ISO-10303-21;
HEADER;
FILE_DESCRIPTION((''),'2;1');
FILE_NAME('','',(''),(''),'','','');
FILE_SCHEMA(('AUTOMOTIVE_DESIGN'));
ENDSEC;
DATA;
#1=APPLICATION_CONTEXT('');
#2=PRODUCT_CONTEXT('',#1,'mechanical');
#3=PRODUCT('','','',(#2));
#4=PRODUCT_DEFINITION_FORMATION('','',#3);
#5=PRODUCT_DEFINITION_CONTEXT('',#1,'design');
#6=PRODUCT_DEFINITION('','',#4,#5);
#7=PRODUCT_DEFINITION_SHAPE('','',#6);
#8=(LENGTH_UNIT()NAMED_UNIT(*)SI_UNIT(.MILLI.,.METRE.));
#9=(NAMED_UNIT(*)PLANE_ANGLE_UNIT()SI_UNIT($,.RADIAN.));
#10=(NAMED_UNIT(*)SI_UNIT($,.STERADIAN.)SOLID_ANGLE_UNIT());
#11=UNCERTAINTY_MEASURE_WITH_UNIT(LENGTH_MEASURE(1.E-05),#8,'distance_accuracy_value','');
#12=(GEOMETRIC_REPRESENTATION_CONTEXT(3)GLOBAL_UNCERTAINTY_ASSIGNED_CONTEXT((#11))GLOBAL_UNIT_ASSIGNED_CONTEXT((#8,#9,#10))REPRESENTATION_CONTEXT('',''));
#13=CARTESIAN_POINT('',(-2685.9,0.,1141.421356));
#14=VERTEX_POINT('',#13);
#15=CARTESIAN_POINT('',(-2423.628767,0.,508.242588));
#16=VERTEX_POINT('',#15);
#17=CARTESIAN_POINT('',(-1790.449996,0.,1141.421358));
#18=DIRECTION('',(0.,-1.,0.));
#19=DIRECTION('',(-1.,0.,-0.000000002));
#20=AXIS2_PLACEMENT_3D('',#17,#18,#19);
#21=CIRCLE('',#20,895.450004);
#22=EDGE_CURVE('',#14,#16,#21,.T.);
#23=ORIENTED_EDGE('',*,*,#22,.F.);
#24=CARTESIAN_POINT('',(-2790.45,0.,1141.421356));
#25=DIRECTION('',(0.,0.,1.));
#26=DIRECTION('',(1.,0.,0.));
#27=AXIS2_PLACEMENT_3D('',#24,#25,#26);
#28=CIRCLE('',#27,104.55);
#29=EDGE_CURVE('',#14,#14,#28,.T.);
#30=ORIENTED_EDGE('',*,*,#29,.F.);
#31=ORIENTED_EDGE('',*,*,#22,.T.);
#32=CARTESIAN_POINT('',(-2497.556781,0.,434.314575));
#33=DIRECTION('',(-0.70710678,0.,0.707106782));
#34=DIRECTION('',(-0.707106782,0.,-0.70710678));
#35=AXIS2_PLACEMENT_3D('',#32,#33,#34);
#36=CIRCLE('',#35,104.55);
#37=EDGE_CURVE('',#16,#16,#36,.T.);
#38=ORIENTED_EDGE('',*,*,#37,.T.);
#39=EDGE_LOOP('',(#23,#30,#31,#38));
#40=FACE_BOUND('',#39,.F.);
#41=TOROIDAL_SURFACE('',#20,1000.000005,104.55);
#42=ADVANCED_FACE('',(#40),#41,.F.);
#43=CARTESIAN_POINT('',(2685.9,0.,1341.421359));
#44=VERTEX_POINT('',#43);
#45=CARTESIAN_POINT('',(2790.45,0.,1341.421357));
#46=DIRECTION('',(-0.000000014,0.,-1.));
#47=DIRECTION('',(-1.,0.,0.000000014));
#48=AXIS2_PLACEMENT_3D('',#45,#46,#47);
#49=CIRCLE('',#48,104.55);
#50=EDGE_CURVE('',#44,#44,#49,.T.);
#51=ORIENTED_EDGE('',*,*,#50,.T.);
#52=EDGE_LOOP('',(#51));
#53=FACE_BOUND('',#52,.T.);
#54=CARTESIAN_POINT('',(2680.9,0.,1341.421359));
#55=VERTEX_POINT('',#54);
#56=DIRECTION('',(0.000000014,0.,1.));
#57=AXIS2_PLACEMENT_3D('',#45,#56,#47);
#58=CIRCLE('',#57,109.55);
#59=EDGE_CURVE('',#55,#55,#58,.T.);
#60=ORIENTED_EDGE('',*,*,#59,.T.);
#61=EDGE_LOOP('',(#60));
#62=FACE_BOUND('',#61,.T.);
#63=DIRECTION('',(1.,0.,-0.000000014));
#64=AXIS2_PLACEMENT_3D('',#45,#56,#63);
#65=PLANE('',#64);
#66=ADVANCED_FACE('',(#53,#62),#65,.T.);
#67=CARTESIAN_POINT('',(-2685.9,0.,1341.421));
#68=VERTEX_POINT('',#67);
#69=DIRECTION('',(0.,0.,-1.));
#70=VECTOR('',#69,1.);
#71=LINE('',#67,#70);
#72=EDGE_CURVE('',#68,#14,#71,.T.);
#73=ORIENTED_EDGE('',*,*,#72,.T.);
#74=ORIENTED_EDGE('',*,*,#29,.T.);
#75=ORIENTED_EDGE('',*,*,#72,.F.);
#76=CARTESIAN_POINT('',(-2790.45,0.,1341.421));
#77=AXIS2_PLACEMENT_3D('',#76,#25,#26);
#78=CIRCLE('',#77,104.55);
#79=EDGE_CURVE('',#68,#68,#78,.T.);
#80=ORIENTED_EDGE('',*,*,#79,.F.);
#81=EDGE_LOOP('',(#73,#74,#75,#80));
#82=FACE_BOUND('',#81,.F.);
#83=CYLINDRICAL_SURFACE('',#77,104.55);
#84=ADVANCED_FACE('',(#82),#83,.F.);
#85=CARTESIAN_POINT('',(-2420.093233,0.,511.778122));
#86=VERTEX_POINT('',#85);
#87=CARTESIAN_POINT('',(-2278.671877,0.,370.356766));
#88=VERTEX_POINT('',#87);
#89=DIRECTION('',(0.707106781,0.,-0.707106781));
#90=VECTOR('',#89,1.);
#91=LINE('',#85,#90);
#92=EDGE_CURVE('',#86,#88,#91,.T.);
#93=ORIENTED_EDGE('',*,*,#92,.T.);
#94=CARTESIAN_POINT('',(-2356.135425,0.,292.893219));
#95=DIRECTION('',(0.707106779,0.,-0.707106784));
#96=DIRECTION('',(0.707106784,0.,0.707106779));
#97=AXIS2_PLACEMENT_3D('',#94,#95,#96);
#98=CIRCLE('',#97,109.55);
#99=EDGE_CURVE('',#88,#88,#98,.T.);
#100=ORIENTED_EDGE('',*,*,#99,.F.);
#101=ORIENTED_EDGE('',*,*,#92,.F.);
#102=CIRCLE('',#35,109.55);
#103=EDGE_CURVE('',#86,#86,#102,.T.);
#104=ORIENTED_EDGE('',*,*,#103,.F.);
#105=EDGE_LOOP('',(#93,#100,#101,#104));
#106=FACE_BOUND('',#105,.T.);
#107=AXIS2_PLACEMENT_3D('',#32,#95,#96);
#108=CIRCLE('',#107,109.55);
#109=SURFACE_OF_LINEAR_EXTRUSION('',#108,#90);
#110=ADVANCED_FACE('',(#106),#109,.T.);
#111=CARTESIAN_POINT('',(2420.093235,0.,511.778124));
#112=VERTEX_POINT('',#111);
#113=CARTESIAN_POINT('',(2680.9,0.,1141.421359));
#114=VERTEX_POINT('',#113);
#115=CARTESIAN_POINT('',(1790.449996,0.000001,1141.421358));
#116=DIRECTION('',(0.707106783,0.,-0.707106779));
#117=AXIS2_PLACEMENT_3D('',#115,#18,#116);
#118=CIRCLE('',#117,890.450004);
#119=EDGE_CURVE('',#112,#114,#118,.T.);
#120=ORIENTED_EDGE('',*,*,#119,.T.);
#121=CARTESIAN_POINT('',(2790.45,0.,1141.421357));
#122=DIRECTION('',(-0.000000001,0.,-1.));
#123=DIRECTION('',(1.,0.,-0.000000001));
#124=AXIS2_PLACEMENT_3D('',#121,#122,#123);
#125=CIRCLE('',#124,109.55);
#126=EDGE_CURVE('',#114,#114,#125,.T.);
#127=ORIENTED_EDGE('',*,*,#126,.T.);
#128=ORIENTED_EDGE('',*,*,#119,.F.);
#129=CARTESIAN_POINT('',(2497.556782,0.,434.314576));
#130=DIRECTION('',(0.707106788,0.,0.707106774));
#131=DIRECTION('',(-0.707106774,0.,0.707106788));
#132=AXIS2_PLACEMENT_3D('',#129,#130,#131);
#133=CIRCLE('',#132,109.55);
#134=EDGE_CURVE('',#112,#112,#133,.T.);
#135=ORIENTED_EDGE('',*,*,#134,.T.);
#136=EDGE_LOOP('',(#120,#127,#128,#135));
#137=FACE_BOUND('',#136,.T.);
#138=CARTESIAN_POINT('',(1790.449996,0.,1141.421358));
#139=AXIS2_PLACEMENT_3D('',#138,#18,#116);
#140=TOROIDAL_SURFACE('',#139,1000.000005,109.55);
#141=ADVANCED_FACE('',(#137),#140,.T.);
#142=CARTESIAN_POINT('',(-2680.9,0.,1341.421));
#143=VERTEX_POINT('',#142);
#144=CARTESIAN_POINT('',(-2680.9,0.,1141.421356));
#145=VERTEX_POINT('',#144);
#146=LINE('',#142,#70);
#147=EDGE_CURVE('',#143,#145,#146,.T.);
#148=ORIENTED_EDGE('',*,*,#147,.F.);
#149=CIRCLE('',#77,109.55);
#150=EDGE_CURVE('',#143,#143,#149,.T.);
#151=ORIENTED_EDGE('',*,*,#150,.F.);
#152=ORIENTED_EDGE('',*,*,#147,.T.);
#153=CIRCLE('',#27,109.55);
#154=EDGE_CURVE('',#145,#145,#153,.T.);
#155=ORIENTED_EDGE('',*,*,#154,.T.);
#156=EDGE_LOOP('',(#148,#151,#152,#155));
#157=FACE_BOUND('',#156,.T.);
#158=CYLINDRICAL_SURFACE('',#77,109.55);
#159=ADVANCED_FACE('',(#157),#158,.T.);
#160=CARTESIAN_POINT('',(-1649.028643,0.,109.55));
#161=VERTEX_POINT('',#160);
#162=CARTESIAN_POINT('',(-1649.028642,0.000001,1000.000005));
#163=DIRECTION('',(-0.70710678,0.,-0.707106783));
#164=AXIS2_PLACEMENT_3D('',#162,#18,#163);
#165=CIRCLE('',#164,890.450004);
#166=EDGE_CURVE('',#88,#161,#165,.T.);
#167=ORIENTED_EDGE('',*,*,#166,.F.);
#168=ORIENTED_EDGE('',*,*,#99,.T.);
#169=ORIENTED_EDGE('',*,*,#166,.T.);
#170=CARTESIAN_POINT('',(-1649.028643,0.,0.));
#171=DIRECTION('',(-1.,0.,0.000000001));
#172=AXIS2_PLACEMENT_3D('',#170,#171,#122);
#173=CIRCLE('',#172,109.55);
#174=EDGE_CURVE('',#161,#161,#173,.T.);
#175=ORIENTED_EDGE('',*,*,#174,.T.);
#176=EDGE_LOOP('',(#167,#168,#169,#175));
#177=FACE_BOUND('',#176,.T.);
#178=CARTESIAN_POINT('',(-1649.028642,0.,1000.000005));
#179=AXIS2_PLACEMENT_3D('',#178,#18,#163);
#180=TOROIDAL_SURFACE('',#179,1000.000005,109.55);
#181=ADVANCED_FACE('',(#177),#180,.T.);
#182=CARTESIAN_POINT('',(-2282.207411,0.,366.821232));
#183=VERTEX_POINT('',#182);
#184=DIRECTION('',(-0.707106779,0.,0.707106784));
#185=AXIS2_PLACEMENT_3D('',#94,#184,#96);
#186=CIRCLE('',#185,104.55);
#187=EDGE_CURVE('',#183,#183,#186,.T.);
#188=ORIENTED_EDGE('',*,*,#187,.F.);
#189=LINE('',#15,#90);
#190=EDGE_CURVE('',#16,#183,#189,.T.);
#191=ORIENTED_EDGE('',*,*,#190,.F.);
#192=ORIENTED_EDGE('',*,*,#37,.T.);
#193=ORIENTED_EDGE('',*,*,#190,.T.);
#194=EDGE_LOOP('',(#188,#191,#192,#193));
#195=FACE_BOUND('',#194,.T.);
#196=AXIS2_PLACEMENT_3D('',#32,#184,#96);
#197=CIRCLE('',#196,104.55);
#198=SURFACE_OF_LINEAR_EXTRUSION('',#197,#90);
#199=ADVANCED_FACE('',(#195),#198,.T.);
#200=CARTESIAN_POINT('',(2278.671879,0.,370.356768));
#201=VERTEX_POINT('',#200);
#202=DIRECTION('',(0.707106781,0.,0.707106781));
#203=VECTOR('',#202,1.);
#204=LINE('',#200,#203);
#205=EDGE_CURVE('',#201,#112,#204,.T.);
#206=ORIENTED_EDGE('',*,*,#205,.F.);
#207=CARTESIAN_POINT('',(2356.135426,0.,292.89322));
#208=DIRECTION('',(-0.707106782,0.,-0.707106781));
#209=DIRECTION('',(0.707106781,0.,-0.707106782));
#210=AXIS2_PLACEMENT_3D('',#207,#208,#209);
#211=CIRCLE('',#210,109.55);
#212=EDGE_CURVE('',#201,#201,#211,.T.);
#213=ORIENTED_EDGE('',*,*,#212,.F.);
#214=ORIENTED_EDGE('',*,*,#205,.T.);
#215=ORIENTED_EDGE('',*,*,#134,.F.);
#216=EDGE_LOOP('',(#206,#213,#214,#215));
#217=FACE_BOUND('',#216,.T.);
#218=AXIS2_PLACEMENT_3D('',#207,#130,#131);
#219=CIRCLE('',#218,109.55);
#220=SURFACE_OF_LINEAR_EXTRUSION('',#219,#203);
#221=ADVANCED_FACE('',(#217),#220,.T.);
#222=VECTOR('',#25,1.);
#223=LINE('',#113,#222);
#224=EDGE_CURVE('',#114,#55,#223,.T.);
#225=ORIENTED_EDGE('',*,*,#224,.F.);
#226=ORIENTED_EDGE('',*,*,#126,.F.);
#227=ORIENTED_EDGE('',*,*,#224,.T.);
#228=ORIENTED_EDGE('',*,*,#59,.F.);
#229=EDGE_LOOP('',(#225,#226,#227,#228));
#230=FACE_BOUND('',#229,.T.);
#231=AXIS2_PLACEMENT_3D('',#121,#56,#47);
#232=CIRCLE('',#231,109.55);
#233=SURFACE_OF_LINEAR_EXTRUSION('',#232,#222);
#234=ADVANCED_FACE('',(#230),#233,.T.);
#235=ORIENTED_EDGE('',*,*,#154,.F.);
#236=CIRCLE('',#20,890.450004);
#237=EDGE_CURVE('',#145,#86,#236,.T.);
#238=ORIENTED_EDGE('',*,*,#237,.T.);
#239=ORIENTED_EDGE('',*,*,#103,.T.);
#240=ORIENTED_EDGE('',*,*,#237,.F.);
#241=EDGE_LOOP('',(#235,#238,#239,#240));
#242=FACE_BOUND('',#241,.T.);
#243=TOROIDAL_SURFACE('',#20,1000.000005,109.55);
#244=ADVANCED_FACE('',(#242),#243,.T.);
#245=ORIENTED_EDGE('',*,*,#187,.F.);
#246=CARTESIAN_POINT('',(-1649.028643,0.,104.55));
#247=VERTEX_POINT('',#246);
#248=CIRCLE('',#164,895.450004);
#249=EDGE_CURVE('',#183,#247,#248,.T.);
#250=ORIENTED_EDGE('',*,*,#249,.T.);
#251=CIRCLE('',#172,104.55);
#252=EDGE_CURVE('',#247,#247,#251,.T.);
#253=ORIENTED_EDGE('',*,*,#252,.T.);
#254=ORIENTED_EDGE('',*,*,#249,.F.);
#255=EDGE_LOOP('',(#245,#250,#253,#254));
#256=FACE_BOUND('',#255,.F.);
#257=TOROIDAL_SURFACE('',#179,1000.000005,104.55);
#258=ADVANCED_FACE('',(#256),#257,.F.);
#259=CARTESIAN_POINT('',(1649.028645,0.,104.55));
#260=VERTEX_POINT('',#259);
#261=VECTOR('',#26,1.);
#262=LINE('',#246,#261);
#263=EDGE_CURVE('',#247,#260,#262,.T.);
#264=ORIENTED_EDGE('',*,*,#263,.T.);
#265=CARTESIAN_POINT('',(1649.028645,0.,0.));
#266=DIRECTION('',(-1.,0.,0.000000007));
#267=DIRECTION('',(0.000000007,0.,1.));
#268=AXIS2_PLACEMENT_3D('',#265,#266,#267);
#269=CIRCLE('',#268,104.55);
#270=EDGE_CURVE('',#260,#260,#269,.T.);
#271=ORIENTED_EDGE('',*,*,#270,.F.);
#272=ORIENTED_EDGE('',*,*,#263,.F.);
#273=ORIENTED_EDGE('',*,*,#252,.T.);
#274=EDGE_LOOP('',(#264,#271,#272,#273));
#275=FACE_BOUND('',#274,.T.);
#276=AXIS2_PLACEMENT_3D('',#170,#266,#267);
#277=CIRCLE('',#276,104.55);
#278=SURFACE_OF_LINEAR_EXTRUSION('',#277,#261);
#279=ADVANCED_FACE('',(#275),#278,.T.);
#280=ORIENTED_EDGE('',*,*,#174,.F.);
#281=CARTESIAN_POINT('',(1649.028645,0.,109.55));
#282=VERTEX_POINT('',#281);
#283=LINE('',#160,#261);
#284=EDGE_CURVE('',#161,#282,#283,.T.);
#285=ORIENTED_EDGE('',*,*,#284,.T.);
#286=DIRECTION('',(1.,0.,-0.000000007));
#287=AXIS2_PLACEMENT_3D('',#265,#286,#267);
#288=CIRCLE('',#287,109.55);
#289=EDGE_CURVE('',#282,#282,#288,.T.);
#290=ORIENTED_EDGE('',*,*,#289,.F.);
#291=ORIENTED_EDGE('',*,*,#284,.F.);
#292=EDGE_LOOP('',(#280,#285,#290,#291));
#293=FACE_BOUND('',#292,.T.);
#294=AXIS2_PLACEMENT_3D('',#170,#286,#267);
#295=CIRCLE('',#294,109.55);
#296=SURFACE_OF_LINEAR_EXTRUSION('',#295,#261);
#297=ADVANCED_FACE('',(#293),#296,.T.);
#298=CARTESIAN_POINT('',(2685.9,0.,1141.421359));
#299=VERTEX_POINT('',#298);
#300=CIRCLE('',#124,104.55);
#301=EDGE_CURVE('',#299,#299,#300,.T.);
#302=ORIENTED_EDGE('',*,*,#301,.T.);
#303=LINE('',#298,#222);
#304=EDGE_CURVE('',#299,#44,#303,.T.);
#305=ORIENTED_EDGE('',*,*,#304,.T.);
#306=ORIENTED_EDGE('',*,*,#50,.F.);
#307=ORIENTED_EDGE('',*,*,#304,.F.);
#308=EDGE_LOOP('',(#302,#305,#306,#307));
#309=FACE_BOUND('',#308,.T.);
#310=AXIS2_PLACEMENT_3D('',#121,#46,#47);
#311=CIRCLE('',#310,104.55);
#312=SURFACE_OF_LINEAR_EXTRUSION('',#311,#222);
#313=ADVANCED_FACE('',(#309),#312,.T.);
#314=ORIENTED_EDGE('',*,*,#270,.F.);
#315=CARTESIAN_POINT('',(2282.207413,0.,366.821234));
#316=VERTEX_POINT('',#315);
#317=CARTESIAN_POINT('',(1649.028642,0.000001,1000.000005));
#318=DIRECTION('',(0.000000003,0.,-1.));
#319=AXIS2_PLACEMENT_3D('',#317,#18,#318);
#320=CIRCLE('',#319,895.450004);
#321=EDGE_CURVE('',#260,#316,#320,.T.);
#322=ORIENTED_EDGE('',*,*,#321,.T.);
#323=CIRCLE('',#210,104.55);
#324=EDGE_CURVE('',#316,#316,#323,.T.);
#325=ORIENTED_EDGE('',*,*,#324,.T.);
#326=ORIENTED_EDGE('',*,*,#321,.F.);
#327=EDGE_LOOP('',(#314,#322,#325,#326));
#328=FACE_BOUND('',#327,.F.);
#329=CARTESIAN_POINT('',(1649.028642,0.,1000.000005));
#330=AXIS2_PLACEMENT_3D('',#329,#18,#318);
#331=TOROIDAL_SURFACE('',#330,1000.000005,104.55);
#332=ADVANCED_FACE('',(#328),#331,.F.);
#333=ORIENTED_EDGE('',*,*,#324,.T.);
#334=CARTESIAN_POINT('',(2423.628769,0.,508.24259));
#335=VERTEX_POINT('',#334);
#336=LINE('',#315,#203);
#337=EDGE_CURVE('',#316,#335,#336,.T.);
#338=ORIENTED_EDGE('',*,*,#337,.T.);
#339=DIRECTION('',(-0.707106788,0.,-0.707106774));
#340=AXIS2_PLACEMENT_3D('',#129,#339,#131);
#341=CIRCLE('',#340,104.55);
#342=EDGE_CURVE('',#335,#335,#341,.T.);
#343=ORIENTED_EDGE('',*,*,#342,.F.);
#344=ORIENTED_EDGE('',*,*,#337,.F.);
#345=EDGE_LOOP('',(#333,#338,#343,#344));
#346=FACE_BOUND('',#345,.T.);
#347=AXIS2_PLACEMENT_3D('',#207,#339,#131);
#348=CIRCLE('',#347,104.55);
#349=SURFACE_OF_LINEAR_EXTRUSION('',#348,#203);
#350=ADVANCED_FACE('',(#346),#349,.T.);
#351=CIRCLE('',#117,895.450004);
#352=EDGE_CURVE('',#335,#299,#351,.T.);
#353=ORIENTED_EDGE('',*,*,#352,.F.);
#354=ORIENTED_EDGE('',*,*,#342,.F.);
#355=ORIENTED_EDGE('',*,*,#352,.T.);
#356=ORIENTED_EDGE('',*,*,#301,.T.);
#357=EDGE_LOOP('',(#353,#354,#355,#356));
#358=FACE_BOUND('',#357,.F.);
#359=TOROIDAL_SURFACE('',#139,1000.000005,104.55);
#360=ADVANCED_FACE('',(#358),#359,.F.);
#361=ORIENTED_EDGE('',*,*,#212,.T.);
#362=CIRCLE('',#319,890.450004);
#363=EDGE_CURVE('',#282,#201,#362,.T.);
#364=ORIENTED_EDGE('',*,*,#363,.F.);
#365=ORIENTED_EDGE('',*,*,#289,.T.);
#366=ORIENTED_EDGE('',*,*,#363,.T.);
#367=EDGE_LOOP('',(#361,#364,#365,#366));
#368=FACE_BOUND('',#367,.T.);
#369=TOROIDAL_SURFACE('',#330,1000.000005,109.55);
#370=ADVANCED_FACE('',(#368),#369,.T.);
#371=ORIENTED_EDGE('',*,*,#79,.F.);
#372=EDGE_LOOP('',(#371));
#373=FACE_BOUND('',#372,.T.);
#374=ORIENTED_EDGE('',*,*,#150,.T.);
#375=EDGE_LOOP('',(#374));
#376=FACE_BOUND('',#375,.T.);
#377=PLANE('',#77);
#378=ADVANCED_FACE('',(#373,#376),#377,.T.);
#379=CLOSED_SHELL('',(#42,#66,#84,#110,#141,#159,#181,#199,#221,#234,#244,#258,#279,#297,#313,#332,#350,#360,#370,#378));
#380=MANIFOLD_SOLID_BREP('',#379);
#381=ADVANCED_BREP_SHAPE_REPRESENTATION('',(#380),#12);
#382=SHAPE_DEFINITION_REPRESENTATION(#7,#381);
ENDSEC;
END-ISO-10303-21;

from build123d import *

# Parameters (mm, degrees)
F2_R        = 109.55
F2_R_2      = 104.55
F3_DEPTH    = 199.999644
F3_FACE_R   = 109.55
F3_FACE_R_2 = 104.55


with BuildPart() as f3:
    # F2 (on offset) → F3 (new body, through all)
    with BuildSketch(Plane.XY.offset(1341.421)):
        with Locations((-2790.45, 0)):
            Circle(F2_R)
        with Locations((-2790.45, 0)):
            Circle(F2_R_2, mode=Mode.SUBTRACT)
    extrude(amount=-F3_DEPTH)

    # F4: sweep along a path in F0
    with BuildLine(Plane.XZ) as f4_path:
        ThreePointArc((-2900, 1141.421356), (-2815.540535, 716.814954), (-2575.020329, 356.851027))
        Line((-2575.020329, 356.851027), (-2433.598973, 215.429671))
        ThreePointArc((-2433.598973, 215.429671), (-2073.635046, -25.090535), (-1649.028644, -109.55))
        Line((-1649.028644, -109.55), (0, -109.55))
        Line((0, -109.55), (1649.028644, -109.55))
        ThreePointArc((1649.028644, -109.55), (2073.635046, -25.090535), (2433.598973, 215.429671))
        Line((2433.598973, 215.429671), (2575.020329, 356.851027))
        ThreePointArc((2575.020329, 356.851027), (2815.540535, 716.814954), (2900, 1141.421356))
        Line((2900, 1141.421356), (2900, 1341.421356))
    # F3_face (on face) → F4 (sweep)
    with BuildSketch(Plane(origin=(-2790.45, 0, 1141.421356), x_dir=(1, 0, 0), z_dir=(0, 0, -1))):
        Circle(F3_FACE_R)
        Circle(F3_FACE_R_2, mode=Mode.SUBTRACT)
    sweep(path=f4_path.line)


solid = f3.part
